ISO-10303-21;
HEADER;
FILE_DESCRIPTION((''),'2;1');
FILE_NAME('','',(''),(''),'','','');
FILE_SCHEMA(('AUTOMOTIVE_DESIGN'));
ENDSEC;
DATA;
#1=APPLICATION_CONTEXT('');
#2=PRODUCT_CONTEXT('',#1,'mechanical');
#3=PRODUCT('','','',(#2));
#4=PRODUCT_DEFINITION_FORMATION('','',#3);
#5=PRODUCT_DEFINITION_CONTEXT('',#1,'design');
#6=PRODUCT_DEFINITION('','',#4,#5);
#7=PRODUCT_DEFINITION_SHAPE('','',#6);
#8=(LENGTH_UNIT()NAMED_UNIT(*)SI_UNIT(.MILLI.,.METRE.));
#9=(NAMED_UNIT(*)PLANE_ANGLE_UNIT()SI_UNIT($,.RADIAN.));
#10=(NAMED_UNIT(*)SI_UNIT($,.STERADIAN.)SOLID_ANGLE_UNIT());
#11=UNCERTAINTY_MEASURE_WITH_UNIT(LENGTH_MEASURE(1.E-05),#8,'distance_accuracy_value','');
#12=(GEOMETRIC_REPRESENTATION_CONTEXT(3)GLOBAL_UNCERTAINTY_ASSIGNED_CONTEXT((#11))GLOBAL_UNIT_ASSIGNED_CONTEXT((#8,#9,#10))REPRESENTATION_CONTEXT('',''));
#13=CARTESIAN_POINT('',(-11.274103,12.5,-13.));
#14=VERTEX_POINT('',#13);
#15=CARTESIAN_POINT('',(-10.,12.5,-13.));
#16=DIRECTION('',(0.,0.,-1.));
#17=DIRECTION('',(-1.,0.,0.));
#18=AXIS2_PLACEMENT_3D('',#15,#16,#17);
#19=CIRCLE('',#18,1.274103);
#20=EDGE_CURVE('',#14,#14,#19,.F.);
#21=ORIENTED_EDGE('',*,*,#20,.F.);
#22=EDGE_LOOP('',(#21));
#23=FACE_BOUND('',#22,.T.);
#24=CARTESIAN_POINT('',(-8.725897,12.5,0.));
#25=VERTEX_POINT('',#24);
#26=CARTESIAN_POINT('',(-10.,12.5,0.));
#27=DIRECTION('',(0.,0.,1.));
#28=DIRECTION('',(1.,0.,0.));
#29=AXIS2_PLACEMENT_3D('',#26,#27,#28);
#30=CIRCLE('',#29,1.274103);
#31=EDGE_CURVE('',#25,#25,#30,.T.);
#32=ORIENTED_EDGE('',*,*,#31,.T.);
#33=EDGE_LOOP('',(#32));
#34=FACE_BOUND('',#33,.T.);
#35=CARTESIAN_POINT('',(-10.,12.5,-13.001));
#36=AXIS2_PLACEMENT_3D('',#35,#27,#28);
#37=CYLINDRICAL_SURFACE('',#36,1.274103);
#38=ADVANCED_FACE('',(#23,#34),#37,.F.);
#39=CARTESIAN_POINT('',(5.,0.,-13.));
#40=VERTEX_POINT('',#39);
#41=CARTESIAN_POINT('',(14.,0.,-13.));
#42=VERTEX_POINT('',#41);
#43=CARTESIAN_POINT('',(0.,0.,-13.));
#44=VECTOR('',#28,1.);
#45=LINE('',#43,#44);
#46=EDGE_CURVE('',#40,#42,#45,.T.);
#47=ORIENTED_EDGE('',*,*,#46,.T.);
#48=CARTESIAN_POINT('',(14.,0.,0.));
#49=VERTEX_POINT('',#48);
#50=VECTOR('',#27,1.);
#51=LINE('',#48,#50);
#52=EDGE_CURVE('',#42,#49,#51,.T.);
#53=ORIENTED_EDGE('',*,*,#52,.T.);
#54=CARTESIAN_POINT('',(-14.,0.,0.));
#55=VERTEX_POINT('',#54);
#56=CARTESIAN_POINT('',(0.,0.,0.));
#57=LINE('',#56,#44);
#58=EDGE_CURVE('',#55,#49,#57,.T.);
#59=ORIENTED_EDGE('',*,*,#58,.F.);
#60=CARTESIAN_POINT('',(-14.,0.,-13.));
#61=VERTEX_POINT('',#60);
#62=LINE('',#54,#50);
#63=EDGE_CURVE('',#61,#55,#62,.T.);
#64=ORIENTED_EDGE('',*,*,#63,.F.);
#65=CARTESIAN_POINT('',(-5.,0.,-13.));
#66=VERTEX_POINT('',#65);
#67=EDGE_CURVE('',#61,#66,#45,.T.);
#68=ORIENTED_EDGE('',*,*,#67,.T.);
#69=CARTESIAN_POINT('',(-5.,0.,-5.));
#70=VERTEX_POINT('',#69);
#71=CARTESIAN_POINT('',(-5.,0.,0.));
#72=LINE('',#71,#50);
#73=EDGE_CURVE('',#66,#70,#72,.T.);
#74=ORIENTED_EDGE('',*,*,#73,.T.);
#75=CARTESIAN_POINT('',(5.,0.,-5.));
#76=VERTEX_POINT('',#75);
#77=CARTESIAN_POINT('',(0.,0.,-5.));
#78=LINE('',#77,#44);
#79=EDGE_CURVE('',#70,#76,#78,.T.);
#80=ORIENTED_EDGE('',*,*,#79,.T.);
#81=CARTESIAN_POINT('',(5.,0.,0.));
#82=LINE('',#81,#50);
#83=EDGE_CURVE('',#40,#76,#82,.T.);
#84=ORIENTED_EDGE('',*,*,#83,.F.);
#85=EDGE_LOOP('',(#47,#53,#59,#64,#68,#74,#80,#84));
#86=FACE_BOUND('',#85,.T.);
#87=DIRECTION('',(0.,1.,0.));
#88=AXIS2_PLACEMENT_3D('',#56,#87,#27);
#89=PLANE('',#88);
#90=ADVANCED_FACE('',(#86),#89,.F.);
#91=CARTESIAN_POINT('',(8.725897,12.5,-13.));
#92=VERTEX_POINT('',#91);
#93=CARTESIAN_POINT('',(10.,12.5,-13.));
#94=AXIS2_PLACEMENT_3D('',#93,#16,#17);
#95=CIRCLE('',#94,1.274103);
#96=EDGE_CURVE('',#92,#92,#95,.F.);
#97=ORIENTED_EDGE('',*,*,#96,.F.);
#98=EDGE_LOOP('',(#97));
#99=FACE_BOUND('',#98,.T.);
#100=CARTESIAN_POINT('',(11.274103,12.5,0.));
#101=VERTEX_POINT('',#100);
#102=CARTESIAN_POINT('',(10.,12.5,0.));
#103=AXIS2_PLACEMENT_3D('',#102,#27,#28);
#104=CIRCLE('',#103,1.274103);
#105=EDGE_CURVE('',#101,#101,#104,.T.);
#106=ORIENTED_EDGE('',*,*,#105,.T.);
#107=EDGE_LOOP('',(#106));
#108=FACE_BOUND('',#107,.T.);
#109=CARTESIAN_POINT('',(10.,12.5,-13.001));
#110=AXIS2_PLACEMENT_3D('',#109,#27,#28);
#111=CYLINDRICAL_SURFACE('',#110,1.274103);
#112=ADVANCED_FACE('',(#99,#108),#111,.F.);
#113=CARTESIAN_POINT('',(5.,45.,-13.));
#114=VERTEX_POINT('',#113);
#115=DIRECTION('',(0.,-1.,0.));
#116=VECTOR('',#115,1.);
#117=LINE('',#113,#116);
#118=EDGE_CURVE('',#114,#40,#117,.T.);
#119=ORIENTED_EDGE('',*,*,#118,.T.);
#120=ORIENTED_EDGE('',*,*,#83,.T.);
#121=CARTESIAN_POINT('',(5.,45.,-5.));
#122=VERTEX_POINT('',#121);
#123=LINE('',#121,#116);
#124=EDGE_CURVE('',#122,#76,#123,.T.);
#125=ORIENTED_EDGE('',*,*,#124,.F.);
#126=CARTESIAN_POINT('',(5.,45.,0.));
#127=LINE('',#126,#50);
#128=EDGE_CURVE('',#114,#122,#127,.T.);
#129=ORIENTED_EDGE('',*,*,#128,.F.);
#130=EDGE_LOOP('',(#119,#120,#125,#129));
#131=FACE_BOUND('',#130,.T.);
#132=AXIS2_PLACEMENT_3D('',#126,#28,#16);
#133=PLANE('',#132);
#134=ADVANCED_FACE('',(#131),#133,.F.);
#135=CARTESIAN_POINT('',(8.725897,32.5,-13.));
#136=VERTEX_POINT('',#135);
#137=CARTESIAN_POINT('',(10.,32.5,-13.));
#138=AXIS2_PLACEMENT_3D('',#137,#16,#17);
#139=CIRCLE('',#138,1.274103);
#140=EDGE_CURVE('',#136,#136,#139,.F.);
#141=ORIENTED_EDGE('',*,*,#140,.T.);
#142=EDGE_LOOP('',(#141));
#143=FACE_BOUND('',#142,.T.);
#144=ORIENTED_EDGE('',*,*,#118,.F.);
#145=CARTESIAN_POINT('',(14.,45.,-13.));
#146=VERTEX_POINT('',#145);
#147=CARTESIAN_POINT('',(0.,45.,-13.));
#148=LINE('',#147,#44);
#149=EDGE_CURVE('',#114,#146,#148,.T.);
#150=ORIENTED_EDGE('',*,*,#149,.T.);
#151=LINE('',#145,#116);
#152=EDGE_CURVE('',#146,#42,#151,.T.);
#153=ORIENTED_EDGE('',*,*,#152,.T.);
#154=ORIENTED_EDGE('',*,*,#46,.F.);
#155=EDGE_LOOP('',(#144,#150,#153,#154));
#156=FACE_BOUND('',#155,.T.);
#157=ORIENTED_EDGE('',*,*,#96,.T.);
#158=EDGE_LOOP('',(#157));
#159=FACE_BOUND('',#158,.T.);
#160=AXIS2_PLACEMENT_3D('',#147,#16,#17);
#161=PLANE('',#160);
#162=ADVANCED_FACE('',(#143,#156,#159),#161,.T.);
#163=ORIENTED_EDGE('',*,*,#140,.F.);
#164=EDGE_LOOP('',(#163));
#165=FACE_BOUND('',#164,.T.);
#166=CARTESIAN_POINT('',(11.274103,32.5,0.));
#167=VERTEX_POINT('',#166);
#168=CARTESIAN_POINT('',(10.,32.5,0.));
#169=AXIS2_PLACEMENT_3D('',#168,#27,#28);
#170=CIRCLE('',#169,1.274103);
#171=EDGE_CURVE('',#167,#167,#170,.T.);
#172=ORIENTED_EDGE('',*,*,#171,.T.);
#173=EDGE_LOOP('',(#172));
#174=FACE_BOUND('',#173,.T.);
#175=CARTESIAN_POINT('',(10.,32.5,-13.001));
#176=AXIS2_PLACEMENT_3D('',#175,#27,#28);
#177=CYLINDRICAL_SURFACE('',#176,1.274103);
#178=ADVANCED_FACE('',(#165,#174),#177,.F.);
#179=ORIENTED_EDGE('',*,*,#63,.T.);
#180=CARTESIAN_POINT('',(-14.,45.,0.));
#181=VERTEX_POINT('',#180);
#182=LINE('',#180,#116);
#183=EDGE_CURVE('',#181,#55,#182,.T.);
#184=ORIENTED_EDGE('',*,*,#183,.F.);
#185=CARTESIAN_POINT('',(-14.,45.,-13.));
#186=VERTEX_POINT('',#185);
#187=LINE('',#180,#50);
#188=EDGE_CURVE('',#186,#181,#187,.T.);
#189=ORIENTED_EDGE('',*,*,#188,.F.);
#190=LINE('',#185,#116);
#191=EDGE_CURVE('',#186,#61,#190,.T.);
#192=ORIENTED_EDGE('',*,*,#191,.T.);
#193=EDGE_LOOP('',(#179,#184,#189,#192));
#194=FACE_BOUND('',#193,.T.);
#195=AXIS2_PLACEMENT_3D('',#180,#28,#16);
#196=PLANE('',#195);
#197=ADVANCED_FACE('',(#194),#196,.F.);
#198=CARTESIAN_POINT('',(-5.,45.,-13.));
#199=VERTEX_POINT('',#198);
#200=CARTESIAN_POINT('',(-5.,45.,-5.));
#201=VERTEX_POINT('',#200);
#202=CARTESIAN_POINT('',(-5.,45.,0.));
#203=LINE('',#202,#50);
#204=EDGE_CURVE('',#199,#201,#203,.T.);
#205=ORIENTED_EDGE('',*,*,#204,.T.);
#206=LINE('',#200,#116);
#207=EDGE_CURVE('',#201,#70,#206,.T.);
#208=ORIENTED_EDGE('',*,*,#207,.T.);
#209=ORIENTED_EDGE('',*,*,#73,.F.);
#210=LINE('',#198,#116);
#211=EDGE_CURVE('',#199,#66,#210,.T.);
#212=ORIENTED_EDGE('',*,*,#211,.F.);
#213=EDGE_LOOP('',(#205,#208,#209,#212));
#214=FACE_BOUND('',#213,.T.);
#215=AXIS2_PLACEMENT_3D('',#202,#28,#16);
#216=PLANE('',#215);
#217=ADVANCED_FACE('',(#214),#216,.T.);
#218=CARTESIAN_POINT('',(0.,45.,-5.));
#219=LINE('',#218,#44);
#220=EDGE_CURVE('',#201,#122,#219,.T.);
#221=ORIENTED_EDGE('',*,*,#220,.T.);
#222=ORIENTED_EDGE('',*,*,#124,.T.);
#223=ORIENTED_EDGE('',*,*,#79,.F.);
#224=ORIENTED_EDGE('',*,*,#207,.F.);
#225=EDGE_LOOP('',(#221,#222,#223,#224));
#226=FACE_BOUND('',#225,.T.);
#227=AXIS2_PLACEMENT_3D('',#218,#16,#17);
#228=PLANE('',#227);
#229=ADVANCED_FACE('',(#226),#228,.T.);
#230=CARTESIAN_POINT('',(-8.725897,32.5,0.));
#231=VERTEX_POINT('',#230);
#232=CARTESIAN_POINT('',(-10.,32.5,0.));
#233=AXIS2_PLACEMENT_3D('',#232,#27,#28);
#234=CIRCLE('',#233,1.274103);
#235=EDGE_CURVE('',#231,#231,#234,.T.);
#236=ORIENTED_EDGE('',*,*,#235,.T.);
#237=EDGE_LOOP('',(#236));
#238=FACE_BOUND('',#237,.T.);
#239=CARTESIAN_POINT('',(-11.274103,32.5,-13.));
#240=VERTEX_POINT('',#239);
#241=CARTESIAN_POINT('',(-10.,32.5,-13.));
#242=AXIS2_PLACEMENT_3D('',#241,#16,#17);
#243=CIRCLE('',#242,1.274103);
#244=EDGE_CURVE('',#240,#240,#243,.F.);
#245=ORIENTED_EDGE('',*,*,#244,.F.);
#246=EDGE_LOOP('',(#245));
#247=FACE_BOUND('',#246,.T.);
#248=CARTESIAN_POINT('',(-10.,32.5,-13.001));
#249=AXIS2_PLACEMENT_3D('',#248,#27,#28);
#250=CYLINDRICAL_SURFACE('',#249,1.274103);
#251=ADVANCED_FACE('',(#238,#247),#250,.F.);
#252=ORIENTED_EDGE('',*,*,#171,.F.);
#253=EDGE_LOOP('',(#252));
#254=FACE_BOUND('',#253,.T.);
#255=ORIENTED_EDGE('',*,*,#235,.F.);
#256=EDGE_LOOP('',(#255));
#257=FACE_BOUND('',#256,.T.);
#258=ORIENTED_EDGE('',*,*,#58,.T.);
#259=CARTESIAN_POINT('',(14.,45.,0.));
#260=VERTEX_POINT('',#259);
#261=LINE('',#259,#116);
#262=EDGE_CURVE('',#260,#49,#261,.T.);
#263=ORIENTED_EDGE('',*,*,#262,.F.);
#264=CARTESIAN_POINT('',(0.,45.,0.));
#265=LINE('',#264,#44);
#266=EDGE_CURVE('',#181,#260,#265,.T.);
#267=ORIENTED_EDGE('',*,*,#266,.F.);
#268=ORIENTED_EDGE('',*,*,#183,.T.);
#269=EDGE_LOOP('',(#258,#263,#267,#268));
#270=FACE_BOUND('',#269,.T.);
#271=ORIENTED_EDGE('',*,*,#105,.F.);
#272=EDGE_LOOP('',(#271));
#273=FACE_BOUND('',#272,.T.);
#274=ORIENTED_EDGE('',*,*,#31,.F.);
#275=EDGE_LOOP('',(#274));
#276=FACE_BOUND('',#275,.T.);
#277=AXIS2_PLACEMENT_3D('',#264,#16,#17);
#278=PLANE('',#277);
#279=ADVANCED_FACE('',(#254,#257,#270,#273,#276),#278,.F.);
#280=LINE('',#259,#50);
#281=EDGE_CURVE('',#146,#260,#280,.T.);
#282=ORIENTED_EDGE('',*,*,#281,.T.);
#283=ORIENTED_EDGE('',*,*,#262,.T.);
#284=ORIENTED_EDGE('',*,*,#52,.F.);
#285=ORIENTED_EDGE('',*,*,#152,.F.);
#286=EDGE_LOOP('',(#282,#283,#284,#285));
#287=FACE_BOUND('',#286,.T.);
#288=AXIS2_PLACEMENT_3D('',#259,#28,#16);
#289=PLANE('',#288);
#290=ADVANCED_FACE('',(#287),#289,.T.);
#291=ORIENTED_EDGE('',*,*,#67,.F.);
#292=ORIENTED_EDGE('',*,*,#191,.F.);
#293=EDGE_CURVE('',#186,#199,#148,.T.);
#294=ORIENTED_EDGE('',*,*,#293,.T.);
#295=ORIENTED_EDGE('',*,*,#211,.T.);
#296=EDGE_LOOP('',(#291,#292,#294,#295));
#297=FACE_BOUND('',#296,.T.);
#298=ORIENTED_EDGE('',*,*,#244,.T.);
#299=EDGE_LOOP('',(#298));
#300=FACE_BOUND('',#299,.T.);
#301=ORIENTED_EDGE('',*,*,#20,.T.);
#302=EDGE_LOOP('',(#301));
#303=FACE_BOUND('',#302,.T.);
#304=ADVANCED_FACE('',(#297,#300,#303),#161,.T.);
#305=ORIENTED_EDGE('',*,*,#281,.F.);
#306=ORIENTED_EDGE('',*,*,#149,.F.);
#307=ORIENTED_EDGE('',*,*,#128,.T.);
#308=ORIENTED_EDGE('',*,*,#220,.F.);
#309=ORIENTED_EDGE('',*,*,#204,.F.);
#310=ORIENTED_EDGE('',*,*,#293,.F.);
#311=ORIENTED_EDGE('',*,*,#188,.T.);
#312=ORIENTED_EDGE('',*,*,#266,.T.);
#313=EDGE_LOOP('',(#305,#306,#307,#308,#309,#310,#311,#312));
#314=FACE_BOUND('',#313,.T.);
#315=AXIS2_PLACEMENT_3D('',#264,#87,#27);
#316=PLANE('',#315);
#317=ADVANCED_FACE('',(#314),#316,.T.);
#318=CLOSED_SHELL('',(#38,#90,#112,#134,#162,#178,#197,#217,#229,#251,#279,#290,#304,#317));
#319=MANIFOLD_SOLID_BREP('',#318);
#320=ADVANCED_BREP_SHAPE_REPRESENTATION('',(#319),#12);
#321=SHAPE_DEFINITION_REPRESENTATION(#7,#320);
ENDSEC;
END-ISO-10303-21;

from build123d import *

# Parameters (mm, degrees)
BOSS_EXTRUDE1_DEPTH = 45
CUT_EXTRUDE1_REACH  = 50.888
SKETCH2_R           = 1.274102828


with BuildPart() as part:
    # Sketch1 → Boss-Extrude1 (new body)
    with BuildSketch(Plane(origin=(0, 0, 0), x_dir=(1, 0, 0), z_dir=(0, 1, 0))):
        Polygon((-5, 13), (-14, 13), (-14, 0), (14, 0), (14, 13), (5, 13), (5, 5), (-5, 5), align=None)
    extrude(amount=BOSS_EXTRUDE1_DEPTH)

    # Sketch2 → Cut-Extrude1 (cut, up to next)
    with BuildSketch(Plane.XY, mode=Mode.PRIVATE) as cut_extrude1_sk1:
        with Locations((-10, 32.5)):
            Circle(SKETCH2_R)
    cut_extrude1_tool1 = extrude(cut_extrude1_sk1.sketch, amount=-CUT_EXTRUDE1_REACH, mode=Mode.PRIVATE) & part.part
    # Sketch2 → Cut-Extrude1 (cut, up to next)
    with BuildSketch(Plane.XY, mode=Mode.PRIVATE) as cut_extrude1_sk2:
        with Locations((10, 32.5)):
            Circle(SKETCH2_R)
    cut_extrude1_tool2 = extrude(cut_extrude1_sk2.sketch, amount=-CUT_EXTRUDE1_REACH, mode=Mode.PRIVATE) & part.part
    # Sketch2 → Cut-Extrude1 (cut, up to next)
    with BuildSketch(Plane.XY, mode=Mode.PRIVATE) as cut_extrude1_sk3:
        with Locations((10, 12.5)):
            Circle(SKETCH2_R)
    cut_extrude1_tool3 = extrude(cut_extrude1_sk3.sketch, amount=-CUT_EXTRUDE1_REACH, mode=Mode.PRIVATE) & part.part
    # Sketch2 → Cut-Extrude1 (cut, up to next)
    with BuildSketch(Plane.XY, mode=Mode.PRIVATE) as cut_extrude1_sk4:
        with Locations((-10, 12.5)):
            Circle(SKETCH2_R)
    cut_extrude1_tool4 = extrude(cut_extrude1_sk4.sketch, amount=-CUT_EXTRUDE1_REACH, mode=Mode.PRIVATE) & part.part
    add(cut_extrude1_tool1.solids().sort_by_distance((-10, 32.5, 0))[0], mode=Mode.SUBTRACT)
    add(cut_extrude1_tool2.solids().sort_by_distance((10, 32.5, 0))[0], mode=Mode.SUBTRACT)
    add(cut_extrude1_tool3.solids().sort_by_distance((10, 12.5, 0))[0], mode=Mode.SUBTRACT)
    add(cut_extrude1_tool4.solids().sort_by_distance((-10, 12.5, 0))[0], mode=Mode.SUBTRACT)


solid = part.part
